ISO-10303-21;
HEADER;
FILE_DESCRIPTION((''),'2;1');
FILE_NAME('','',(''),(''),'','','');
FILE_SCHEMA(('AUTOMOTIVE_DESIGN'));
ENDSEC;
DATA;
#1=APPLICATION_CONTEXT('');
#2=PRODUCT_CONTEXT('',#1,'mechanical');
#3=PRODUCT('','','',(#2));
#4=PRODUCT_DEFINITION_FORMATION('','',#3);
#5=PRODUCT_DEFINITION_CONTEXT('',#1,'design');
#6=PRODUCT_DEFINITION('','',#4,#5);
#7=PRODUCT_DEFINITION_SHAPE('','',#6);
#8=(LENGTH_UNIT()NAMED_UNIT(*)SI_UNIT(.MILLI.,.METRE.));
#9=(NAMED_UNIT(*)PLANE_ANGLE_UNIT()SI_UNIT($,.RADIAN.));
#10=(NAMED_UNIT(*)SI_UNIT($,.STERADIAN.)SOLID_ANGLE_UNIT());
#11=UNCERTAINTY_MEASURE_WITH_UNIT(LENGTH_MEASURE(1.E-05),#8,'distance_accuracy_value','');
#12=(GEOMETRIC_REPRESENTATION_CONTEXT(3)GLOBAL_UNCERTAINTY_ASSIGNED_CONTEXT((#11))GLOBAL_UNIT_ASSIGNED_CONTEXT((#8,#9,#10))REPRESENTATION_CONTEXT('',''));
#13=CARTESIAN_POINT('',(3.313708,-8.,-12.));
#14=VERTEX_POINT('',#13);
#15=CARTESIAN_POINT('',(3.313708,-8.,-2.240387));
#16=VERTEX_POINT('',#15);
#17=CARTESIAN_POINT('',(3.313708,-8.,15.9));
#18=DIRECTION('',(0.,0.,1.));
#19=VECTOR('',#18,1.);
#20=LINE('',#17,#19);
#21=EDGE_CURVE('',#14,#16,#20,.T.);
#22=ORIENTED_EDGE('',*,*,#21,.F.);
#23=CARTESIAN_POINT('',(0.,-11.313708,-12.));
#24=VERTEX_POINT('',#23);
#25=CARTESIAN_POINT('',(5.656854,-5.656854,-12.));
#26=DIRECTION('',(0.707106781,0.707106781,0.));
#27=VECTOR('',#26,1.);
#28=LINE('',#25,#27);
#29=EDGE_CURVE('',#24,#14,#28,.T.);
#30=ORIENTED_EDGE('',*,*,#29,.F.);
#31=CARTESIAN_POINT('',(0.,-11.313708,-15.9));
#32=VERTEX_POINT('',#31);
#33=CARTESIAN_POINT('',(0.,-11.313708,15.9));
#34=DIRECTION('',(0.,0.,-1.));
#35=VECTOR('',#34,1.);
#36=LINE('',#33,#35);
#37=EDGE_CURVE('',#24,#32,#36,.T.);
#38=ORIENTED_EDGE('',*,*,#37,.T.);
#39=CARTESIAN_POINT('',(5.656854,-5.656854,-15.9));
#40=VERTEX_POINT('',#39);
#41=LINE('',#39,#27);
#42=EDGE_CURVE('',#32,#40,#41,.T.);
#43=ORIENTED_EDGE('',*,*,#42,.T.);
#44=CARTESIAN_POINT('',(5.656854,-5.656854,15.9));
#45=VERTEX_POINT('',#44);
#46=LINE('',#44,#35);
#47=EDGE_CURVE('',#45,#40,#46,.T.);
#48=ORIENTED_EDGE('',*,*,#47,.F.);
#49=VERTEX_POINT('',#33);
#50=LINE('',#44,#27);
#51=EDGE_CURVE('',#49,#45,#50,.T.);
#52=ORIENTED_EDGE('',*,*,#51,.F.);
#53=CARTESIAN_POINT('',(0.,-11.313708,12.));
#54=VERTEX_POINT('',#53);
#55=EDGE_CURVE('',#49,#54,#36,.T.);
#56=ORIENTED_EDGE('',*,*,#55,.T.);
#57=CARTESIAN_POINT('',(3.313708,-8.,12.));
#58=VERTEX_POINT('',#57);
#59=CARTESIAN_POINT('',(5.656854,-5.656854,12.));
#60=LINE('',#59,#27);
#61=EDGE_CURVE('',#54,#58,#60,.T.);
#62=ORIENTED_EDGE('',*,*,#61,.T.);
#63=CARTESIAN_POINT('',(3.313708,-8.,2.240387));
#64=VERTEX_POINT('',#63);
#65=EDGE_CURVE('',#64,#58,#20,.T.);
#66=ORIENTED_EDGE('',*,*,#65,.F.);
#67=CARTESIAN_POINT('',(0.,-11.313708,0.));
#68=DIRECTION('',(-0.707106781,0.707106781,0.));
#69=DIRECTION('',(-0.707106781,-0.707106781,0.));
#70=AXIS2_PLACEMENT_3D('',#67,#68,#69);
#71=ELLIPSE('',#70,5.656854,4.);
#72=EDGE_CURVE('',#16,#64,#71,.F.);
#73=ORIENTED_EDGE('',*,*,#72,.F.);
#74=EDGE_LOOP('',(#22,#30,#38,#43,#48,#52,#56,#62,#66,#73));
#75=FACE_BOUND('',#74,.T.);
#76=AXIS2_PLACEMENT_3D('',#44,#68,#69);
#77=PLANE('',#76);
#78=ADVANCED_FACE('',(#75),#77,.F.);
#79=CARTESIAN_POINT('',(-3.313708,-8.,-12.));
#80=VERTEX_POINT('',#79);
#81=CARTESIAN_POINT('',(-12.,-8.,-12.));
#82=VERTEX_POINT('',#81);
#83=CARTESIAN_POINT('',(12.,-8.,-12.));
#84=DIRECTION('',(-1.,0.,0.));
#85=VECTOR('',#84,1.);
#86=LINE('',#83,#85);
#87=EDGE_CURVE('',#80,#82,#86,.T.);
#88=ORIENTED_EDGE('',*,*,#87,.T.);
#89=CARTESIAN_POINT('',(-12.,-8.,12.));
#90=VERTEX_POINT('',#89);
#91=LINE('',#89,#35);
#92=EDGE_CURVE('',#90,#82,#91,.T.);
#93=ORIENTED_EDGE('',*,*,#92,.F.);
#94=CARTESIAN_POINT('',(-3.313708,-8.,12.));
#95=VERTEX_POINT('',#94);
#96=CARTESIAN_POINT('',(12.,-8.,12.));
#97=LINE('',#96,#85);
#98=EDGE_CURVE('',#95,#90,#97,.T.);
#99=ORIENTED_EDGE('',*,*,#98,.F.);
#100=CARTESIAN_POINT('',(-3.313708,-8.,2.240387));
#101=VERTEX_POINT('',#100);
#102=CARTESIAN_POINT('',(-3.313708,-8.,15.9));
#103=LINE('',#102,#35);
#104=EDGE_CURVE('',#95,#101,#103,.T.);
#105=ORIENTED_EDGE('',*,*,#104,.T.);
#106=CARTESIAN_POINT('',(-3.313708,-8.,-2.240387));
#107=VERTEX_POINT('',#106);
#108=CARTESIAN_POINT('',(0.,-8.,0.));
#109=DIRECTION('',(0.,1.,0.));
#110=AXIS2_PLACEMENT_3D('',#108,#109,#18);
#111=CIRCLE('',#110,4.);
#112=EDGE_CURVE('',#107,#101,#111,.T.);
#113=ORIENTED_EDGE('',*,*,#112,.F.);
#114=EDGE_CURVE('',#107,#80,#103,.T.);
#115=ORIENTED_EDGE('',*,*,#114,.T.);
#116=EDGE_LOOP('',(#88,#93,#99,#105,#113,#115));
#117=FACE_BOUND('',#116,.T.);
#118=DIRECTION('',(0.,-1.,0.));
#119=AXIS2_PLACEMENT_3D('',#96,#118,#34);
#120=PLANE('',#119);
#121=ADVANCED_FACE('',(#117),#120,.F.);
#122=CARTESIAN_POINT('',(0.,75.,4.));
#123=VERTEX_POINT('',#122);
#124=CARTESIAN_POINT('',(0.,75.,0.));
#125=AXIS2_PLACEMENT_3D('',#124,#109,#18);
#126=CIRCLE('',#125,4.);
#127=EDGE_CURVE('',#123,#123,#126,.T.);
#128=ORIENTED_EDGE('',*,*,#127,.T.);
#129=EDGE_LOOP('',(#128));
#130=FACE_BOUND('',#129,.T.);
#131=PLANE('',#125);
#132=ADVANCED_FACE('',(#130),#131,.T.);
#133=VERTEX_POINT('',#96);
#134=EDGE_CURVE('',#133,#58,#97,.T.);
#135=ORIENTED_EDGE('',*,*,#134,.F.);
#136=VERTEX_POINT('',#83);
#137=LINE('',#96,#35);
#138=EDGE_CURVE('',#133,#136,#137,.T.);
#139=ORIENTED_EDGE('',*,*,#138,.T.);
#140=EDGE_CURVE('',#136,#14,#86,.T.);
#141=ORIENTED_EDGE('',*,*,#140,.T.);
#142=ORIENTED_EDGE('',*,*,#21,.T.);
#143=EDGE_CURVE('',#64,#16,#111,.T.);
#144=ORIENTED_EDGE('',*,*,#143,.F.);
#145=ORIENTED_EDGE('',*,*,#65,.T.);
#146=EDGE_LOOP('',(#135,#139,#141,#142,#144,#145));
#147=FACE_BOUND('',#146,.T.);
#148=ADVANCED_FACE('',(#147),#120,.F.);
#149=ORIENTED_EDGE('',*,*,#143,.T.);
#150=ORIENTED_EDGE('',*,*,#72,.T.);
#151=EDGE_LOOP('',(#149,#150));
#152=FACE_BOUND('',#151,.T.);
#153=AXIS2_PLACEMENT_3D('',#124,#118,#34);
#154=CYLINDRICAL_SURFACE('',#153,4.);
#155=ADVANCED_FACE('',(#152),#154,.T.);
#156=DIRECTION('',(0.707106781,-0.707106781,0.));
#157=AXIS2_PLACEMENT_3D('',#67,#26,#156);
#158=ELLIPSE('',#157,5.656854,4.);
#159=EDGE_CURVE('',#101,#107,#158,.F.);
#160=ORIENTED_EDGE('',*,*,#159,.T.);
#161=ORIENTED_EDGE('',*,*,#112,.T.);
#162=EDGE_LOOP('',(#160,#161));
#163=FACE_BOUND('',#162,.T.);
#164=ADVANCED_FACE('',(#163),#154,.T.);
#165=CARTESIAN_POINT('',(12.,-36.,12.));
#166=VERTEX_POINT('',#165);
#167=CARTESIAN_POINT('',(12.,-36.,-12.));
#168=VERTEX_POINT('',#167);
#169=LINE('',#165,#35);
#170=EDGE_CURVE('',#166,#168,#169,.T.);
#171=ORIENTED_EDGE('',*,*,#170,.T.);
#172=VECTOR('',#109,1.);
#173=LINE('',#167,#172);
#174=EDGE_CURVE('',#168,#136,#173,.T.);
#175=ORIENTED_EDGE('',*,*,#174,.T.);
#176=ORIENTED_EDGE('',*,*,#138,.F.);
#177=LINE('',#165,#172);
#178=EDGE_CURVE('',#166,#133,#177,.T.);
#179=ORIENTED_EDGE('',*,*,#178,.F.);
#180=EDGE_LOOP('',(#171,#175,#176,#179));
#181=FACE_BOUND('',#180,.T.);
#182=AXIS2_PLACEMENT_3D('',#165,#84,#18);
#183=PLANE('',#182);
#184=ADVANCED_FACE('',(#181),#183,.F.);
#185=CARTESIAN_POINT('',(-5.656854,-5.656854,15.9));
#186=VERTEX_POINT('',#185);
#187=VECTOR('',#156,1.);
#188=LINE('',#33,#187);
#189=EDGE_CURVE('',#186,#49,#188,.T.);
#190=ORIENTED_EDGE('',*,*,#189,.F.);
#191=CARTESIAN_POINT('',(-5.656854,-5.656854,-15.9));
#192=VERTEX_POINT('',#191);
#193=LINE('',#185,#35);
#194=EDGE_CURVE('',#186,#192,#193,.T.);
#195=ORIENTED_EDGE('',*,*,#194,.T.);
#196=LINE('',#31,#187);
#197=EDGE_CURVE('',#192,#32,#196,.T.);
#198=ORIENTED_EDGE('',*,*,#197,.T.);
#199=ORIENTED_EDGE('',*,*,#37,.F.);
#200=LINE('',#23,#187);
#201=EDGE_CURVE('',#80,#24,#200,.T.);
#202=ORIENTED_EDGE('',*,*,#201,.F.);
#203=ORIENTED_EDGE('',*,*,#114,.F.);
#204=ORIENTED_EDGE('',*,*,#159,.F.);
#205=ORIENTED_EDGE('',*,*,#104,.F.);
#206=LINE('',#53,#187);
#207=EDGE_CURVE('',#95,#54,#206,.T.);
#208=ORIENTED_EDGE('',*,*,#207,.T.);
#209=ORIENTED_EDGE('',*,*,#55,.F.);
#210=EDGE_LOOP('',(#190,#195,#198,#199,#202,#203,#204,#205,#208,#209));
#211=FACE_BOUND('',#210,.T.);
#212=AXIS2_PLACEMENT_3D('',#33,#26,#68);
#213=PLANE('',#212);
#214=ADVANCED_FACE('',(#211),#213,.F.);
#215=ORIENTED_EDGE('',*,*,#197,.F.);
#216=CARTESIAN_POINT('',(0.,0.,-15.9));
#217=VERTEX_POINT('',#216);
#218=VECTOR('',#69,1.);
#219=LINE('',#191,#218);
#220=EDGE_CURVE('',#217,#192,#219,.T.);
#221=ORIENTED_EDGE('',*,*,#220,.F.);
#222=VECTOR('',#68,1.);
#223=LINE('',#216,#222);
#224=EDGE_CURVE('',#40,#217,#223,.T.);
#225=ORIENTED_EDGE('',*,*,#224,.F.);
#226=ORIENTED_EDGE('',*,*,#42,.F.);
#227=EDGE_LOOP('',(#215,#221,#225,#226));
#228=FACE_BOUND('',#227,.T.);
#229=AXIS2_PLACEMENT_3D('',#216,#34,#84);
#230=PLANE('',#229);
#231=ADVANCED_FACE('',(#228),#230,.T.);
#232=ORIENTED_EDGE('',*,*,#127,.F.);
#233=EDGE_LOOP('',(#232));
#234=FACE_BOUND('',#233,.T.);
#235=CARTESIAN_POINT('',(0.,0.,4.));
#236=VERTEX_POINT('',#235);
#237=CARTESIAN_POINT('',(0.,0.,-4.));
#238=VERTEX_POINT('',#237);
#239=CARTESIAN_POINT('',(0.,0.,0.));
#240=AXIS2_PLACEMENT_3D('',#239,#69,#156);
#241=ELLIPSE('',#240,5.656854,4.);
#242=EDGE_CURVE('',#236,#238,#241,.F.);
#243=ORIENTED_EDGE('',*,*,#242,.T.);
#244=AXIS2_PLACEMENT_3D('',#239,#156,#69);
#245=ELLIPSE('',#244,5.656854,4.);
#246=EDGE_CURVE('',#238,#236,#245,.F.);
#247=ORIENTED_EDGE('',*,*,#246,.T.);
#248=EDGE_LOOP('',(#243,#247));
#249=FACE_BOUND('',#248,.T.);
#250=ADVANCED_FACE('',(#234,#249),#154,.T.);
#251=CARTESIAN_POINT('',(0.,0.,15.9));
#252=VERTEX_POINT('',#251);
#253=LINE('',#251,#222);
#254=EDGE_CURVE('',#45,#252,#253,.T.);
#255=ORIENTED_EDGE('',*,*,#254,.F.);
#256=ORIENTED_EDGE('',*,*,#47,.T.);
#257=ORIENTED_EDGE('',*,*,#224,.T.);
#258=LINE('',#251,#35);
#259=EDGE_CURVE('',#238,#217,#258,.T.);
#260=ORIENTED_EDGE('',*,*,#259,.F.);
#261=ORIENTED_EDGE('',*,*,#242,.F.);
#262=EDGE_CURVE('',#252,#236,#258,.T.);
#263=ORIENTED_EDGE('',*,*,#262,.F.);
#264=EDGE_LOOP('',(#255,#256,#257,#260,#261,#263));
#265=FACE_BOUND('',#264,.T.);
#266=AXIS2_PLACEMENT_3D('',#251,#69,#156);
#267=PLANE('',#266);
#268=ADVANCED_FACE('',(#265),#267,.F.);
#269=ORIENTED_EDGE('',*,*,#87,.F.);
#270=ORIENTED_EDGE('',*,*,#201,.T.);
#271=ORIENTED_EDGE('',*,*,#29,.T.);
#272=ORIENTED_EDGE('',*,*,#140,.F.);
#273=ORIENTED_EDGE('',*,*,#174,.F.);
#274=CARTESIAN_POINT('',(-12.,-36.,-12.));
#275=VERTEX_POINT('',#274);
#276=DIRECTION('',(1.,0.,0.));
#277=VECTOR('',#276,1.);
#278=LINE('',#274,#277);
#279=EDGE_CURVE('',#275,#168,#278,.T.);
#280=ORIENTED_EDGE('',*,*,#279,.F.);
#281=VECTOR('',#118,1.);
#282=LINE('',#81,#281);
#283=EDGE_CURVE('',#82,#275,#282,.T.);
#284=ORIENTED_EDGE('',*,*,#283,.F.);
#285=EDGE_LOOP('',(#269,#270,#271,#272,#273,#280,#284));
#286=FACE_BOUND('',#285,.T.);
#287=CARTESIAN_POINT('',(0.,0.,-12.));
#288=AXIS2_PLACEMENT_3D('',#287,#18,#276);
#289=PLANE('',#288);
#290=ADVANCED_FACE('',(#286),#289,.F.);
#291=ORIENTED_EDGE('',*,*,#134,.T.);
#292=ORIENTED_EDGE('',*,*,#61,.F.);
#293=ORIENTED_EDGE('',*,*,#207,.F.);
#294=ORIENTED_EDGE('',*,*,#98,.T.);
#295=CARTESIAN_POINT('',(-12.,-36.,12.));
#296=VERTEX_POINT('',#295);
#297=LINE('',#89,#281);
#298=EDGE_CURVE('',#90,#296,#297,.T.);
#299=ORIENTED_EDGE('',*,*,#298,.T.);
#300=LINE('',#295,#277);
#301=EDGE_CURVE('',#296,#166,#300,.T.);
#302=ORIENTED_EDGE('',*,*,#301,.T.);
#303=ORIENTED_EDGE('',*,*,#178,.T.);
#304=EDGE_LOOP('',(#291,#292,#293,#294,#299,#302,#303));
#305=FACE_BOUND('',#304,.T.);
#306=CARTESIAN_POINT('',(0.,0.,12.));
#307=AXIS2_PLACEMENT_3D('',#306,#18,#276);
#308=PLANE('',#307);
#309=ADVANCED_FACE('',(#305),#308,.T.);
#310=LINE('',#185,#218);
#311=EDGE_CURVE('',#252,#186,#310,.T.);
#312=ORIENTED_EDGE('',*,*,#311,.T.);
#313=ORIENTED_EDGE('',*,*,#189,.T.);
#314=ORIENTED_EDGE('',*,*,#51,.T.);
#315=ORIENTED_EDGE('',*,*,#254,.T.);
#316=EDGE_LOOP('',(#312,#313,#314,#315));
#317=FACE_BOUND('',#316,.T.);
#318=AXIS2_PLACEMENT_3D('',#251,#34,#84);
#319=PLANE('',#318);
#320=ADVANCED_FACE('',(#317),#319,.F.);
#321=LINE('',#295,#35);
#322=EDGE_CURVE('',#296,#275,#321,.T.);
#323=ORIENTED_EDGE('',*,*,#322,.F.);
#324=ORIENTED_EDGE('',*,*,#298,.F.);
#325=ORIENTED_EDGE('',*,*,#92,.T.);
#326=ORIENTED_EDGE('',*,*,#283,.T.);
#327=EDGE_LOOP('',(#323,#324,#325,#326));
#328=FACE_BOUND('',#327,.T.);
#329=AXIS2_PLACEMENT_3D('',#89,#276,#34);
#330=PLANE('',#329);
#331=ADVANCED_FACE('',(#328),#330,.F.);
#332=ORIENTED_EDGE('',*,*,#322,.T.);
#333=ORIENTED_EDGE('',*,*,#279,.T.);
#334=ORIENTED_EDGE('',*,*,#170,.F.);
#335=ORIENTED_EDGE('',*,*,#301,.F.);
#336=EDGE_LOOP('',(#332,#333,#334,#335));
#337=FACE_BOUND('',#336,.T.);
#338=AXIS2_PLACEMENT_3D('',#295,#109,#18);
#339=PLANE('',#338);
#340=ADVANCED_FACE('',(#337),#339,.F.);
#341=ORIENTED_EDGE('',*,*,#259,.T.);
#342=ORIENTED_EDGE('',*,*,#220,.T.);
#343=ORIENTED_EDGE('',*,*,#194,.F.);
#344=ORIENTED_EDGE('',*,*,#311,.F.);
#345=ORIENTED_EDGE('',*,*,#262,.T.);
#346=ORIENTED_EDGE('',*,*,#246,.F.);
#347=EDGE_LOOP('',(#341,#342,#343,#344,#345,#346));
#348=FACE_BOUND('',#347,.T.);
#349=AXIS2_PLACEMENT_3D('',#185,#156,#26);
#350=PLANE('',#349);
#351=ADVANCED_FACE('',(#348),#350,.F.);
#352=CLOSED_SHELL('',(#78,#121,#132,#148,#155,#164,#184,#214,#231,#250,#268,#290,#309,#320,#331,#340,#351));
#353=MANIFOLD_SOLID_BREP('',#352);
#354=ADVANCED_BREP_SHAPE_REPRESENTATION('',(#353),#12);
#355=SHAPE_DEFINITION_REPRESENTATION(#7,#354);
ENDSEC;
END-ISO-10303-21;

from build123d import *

# Parameters (mm, degrees)
BOSS_EXTRUDE1_DEPTH = 15.9
SKETCH2_W           = 24
SKETCH2_H           = 28
BOSS_EXTRUDE2_DEPTH = 12
BOSS_EXTRUDE3_START = -8
SKETCH3_R           = 4
BOSS_EXTRUDE3_DEPTH = 83


with BuildPart() as part:
    # Sketch1 → Boss-Extrude1 (new, symmetric)
    with BuildSketch(Plane.XY):
        Polygon((0, 0), (5.656854249, -5.656854249), (0, -11.313708499), (-5.656854249, -5.656854249), align=None)
    extrude(amount=BOSS_EXTRUDE1_DEPTH, both=True)

    # Sketch2 → Boss-Extrude2 (add, symmetric)
    with BuildSketch(Plane.XY):
        with Locations((0, -22)):
            Rectangle(SKETCH2_W, SKETCH2_H)
    extrude(amount=BOSS_EXTRUDE2_DEPTH, both=True)

    # Sketch3 → Boss-Extrude3 (add)
    with BuildSketch(Plane(origin=(0, 0, 0), x_dir=(1, 0, 0), z_dir=(0, 1, 0)).offset(BOSS_EXTRUDE3_START)):
        with Locations(Location((0, 0, 0), (0, 0, 270))):
            Circle(SKETCH3_R)
    extrude(amount=BOSS_EXTRUDE3_DEPTH)


solid = part.part
